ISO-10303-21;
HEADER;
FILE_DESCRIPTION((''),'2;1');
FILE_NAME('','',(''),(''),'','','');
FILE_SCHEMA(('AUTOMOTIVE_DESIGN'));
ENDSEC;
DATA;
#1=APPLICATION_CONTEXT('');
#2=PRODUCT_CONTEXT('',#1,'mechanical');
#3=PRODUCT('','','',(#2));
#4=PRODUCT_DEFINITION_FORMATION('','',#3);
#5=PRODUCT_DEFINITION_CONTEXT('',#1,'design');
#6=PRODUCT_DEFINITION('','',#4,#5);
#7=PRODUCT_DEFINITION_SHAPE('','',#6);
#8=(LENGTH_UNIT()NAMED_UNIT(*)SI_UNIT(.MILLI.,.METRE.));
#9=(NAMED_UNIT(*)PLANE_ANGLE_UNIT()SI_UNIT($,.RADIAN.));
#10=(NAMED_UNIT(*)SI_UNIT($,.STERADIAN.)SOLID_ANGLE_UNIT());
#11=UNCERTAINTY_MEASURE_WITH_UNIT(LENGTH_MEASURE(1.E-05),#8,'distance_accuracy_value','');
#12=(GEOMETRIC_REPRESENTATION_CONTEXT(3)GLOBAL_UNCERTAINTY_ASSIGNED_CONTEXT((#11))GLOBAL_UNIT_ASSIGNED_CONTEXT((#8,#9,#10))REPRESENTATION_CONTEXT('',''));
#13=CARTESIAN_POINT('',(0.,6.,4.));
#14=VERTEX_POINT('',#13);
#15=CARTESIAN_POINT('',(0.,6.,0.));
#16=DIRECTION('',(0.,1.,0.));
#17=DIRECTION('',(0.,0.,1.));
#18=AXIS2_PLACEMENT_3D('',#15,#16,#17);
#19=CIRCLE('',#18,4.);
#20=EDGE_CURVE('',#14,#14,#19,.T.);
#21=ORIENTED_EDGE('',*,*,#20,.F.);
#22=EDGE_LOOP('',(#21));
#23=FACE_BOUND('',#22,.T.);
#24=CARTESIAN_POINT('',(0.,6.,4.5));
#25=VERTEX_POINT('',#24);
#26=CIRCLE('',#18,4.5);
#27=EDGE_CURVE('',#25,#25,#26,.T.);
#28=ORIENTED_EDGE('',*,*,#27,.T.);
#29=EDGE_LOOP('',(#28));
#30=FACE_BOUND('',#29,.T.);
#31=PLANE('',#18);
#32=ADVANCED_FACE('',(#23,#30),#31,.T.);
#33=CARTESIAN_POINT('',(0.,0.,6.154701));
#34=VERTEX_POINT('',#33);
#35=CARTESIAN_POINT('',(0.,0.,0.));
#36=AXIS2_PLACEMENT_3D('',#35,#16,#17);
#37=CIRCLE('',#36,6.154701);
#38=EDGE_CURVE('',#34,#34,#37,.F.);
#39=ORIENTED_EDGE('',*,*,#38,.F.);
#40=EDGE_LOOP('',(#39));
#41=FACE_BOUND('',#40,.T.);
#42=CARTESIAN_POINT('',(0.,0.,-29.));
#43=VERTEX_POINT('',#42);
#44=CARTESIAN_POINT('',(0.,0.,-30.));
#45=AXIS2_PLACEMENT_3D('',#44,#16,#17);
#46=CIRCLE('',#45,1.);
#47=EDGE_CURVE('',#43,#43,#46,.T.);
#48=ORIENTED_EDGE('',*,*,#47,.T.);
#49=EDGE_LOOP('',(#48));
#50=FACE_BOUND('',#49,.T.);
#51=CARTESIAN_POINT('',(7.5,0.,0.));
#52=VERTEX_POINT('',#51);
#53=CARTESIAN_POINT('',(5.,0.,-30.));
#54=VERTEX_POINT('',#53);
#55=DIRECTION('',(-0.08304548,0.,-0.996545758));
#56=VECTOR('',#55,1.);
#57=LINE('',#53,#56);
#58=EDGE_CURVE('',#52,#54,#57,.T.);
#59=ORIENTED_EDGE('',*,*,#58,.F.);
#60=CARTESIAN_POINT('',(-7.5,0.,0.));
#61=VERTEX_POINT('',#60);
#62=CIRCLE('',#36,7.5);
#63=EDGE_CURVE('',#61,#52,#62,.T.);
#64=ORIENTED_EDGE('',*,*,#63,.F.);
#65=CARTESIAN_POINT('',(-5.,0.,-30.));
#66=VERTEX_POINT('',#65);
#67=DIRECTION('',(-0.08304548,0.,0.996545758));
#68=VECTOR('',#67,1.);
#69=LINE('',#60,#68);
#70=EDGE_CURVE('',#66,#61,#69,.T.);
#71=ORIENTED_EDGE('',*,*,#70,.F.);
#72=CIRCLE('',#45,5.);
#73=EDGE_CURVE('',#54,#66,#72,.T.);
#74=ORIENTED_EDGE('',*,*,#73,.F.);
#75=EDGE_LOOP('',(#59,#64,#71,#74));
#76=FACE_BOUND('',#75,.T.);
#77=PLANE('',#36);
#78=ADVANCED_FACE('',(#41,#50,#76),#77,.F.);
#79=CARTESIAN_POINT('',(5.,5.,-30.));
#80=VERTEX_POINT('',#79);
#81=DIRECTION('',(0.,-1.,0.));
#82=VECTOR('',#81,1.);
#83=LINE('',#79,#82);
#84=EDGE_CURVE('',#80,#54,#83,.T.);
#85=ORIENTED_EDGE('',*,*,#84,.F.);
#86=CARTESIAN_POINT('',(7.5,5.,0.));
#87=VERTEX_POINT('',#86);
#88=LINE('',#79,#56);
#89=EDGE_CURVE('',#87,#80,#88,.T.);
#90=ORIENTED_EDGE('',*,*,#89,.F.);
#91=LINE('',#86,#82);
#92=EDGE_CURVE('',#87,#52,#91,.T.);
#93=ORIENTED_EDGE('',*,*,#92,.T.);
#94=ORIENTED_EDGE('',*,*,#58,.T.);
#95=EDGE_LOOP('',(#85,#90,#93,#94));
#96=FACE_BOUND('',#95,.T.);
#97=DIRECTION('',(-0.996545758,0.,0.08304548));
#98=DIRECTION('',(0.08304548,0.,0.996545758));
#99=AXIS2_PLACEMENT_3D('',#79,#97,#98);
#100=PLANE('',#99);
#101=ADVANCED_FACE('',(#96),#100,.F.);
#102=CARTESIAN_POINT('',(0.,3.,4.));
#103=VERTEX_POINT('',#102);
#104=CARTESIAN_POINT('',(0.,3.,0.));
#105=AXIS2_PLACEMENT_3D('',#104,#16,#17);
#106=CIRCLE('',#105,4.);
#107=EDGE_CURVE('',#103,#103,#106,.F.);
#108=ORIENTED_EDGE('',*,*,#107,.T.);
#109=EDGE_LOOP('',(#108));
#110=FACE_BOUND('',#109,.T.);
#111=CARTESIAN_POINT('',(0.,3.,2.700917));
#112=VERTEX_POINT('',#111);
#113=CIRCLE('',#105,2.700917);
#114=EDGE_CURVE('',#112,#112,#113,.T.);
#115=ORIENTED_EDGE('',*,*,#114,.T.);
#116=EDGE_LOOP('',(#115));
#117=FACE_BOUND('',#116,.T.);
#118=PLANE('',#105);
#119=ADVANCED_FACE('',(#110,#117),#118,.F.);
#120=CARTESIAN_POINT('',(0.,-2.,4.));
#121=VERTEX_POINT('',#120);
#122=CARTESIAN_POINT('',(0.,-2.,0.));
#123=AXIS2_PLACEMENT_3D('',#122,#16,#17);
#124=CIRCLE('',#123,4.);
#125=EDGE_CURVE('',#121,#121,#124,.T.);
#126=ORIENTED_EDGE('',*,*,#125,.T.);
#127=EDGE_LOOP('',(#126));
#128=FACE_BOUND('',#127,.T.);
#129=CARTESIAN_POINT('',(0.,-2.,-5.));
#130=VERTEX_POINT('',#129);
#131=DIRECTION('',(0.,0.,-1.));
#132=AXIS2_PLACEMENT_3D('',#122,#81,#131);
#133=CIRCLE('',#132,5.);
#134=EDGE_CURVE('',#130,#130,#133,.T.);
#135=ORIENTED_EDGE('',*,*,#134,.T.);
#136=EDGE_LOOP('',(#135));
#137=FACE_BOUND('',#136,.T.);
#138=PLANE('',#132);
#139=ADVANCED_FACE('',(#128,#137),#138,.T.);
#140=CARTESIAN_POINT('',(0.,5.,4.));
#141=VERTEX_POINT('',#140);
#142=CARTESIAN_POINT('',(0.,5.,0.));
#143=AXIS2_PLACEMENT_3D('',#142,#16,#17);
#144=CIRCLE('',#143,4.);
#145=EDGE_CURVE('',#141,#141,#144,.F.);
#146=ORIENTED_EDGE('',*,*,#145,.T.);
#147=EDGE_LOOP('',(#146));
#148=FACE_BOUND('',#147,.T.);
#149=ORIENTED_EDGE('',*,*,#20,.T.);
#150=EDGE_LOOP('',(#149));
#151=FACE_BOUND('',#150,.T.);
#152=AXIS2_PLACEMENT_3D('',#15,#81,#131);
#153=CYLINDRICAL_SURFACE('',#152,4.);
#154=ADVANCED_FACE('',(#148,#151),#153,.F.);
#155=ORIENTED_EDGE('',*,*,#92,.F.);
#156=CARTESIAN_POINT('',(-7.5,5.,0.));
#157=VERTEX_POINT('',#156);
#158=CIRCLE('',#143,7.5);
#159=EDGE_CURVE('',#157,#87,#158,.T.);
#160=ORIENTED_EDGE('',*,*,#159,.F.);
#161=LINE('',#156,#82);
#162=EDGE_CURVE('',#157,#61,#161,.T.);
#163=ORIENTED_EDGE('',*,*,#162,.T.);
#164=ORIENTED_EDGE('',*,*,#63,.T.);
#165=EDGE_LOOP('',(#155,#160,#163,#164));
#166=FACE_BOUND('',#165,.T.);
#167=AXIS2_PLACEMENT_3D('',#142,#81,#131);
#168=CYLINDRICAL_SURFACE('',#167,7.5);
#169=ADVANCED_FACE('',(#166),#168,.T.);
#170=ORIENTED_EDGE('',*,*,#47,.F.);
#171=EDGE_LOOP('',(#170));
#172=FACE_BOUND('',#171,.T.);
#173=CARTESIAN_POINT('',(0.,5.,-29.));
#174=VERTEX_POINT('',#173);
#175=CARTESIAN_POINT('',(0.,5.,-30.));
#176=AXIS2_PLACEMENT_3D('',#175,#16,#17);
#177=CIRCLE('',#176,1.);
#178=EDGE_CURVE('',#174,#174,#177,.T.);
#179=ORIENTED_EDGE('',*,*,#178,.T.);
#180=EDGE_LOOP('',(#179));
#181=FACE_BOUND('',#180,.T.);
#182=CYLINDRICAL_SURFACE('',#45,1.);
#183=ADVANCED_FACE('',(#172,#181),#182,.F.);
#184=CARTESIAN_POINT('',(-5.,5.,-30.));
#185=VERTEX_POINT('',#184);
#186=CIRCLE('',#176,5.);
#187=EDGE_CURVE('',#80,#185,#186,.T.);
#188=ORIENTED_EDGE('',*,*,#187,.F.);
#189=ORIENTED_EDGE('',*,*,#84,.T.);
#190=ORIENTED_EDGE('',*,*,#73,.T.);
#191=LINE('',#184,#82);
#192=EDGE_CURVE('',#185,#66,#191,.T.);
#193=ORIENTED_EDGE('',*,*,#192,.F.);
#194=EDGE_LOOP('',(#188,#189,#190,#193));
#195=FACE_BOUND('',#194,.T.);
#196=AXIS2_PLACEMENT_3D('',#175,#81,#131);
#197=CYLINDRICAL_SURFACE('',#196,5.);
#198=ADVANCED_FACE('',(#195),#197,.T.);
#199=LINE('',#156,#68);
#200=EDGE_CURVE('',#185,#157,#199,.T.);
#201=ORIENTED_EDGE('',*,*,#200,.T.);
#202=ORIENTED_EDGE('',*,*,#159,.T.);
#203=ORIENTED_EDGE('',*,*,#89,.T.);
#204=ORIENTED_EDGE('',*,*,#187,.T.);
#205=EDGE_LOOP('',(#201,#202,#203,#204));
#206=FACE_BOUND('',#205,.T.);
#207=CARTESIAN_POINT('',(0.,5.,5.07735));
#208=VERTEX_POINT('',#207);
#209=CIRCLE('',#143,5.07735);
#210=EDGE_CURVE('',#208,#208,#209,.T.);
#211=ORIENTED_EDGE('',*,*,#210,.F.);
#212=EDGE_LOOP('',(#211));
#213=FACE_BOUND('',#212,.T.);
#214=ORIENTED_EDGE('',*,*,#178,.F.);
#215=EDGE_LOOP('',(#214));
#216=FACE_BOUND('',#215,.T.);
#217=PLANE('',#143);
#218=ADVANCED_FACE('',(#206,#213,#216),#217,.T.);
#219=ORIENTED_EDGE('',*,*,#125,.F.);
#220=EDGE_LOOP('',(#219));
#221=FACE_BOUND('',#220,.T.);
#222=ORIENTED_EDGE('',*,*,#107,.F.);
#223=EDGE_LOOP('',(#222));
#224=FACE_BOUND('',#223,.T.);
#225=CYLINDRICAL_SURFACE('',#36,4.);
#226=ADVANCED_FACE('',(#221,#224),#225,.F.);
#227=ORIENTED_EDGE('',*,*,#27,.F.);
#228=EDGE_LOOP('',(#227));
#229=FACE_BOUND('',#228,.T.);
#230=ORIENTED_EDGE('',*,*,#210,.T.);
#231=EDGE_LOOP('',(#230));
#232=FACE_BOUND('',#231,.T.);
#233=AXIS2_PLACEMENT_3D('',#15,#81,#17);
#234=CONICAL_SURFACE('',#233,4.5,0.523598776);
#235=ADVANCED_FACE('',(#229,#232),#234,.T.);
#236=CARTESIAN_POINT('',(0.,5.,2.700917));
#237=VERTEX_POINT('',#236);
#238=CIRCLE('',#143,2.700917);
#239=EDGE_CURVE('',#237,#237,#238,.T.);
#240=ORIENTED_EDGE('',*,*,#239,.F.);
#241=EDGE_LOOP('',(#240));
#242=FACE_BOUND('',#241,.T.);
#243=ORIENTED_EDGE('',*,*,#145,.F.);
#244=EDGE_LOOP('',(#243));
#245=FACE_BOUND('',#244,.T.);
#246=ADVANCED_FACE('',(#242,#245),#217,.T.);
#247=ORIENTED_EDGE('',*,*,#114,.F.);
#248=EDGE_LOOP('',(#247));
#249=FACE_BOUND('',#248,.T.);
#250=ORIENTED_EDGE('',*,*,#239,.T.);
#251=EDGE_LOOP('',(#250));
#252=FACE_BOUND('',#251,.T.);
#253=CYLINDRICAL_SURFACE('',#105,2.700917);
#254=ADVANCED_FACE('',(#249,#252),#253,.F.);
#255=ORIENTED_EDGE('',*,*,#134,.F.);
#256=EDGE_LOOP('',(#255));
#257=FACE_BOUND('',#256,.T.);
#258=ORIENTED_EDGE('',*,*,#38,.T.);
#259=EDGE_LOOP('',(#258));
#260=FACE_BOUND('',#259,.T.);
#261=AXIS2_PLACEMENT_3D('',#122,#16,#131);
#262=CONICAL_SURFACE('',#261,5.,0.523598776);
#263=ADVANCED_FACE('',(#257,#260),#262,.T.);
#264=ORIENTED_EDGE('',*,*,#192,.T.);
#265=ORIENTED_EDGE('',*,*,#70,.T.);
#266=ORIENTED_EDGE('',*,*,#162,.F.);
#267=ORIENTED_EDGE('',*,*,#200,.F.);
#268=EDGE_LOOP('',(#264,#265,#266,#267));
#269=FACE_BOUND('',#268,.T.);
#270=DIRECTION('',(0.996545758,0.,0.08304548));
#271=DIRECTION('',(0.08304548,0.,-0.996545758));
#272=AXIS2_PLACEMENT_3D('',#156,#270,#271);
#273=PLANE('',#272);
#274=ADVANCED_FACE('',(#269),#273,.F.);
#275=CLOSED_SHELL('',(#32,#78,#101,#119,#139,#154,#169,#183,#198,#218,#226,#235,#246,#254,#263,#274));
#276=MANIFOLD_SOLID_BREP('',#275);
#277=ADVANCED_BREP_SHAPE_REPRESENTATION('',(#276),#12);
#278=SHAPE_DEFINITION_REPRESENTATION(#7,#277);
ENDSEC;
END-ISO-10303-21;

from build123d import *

# Parameters (mm, degrees)
BOSS_EXTRUDE1_DEPTH = 5
SKETCH2_R           = 4
SKETCH2_R_2         = 1
CUT_EXTRUDE1_DEPTH  = 5
SKETCH3_R           = 5
BOSS_EXTRUDE3_DEPTH = 2
DRAFT3_ANGLE        = 30
SKETCH4_R           = 4
CUT_EXTRUDE2_DEPTH  = 2
SKETCH5_R           = 4
SKETCH5_R_2         = 2.700917016
BOSS_EXTRUDE4_DEPTH = 2
SKETCH6_R           = 4.5
SKETCH6_R_2         = 4
BOSS_EXTRUDE5_DEPTH = 1
DRAFT4_ANGLE        = 30


with BuildPart() as part:
    # Sketch1 → Boss-Extrude1 (new body)
    with BuildSketch(Plane(origin=(0, 0, 0), x_dir=(1, 0, 0), z_dir=(0, 1, 0))):
        with BuildLine():
            Line((-7.5, 0), (-5, 30))
            ThreePointArc((-5, 30), (0, 35), (5, 30))
            Line((5, 30), (7.5, 0))
            ThreePointArc((7.5, 0), (0, -7.5), (-7.5, 0))
        make_face()
    extrude(amount=BOSS_EXTRUDE1_DEPTH)

    # Sketch2 → Cut-Extrude1 (cut)
    with BuildSketch(Plane(origin=(0, 5, 0), x_dir=(1, 0, 0), z_dir=(0, 1, 0))):
        Circle(SKETCH2_R)
        with Locations((0, 30)):
            Circle(SKETCH2_R_2)
    extrude(amount=-CUT_EXTRUDE1_DEPTH, mode=Mode.SUBTRACT)

    # Sketch3 → Boss-Extrude3 (add)
    with BuildSketch(Plane.XZ):
        Circle(SKETCH3_R)
    extrude(amount=BOSS_EXTRUDE3_DEPTH)

    # Draft3
    draft3_faces = [part.faces().sort_by_distance(p)[0] for p in [
        (-5, -1, 0),
    ]]
    draft(draft3_faces, Plane(origin=(0, -2, 0), x_dir=(0, 0, -1), z_dir=(0, -1, 0)), DRAFT3_ANGLE)

    # Sketch4 → Cut-Extrude2 (cut)
    with BuildSketch(Plane(origin=(0, 0, 0), x_dir=(1, 0, 0), z_dir=(0, 1, 0))):
        Circle(SKETCH4_R)
    extrude(amount=-CUT_EXTRUDE2_DEPTH, mode=Mode.SUBTRACT)

    # Sketch5 → Boss-Extrude4 (add)
    with BuildSketch(Plane(origin=(0, 5, 0), x_dir=(1, 0, 0), z_dir=(0, 1, 0))):
        Circle(SKETCH5_R)
        Circle(SKETCH5_R_2, mode=Mode.SUBTRACT)
    extrude(amount=-BOSS_EXTRUDE4_DEPTH)

    # Sketch6 → Boss-Extrude5 (add)
    with BuildSketch(Plane(origin=(0, 5, 0), x_dir=(1, 0, 0), z_dir=(0, 1, 0))):
        Circle(SKETCH6_R)
        Circle(SKETCH6_R_2, mode=Mode.SUBTRACT)
    extrude(amount=BOSS_EXTRUDE5_DEPTH)

    # Draft4
    draft4_faces = [part.faces().sort_by_distance(p)[0] for p in [
        (-4.5, 5.5, 0),
    ]]
    draft(draft4_faces, Plane.ZX.offset(6), DRAFT4_ANGLE)


solid = part.part
